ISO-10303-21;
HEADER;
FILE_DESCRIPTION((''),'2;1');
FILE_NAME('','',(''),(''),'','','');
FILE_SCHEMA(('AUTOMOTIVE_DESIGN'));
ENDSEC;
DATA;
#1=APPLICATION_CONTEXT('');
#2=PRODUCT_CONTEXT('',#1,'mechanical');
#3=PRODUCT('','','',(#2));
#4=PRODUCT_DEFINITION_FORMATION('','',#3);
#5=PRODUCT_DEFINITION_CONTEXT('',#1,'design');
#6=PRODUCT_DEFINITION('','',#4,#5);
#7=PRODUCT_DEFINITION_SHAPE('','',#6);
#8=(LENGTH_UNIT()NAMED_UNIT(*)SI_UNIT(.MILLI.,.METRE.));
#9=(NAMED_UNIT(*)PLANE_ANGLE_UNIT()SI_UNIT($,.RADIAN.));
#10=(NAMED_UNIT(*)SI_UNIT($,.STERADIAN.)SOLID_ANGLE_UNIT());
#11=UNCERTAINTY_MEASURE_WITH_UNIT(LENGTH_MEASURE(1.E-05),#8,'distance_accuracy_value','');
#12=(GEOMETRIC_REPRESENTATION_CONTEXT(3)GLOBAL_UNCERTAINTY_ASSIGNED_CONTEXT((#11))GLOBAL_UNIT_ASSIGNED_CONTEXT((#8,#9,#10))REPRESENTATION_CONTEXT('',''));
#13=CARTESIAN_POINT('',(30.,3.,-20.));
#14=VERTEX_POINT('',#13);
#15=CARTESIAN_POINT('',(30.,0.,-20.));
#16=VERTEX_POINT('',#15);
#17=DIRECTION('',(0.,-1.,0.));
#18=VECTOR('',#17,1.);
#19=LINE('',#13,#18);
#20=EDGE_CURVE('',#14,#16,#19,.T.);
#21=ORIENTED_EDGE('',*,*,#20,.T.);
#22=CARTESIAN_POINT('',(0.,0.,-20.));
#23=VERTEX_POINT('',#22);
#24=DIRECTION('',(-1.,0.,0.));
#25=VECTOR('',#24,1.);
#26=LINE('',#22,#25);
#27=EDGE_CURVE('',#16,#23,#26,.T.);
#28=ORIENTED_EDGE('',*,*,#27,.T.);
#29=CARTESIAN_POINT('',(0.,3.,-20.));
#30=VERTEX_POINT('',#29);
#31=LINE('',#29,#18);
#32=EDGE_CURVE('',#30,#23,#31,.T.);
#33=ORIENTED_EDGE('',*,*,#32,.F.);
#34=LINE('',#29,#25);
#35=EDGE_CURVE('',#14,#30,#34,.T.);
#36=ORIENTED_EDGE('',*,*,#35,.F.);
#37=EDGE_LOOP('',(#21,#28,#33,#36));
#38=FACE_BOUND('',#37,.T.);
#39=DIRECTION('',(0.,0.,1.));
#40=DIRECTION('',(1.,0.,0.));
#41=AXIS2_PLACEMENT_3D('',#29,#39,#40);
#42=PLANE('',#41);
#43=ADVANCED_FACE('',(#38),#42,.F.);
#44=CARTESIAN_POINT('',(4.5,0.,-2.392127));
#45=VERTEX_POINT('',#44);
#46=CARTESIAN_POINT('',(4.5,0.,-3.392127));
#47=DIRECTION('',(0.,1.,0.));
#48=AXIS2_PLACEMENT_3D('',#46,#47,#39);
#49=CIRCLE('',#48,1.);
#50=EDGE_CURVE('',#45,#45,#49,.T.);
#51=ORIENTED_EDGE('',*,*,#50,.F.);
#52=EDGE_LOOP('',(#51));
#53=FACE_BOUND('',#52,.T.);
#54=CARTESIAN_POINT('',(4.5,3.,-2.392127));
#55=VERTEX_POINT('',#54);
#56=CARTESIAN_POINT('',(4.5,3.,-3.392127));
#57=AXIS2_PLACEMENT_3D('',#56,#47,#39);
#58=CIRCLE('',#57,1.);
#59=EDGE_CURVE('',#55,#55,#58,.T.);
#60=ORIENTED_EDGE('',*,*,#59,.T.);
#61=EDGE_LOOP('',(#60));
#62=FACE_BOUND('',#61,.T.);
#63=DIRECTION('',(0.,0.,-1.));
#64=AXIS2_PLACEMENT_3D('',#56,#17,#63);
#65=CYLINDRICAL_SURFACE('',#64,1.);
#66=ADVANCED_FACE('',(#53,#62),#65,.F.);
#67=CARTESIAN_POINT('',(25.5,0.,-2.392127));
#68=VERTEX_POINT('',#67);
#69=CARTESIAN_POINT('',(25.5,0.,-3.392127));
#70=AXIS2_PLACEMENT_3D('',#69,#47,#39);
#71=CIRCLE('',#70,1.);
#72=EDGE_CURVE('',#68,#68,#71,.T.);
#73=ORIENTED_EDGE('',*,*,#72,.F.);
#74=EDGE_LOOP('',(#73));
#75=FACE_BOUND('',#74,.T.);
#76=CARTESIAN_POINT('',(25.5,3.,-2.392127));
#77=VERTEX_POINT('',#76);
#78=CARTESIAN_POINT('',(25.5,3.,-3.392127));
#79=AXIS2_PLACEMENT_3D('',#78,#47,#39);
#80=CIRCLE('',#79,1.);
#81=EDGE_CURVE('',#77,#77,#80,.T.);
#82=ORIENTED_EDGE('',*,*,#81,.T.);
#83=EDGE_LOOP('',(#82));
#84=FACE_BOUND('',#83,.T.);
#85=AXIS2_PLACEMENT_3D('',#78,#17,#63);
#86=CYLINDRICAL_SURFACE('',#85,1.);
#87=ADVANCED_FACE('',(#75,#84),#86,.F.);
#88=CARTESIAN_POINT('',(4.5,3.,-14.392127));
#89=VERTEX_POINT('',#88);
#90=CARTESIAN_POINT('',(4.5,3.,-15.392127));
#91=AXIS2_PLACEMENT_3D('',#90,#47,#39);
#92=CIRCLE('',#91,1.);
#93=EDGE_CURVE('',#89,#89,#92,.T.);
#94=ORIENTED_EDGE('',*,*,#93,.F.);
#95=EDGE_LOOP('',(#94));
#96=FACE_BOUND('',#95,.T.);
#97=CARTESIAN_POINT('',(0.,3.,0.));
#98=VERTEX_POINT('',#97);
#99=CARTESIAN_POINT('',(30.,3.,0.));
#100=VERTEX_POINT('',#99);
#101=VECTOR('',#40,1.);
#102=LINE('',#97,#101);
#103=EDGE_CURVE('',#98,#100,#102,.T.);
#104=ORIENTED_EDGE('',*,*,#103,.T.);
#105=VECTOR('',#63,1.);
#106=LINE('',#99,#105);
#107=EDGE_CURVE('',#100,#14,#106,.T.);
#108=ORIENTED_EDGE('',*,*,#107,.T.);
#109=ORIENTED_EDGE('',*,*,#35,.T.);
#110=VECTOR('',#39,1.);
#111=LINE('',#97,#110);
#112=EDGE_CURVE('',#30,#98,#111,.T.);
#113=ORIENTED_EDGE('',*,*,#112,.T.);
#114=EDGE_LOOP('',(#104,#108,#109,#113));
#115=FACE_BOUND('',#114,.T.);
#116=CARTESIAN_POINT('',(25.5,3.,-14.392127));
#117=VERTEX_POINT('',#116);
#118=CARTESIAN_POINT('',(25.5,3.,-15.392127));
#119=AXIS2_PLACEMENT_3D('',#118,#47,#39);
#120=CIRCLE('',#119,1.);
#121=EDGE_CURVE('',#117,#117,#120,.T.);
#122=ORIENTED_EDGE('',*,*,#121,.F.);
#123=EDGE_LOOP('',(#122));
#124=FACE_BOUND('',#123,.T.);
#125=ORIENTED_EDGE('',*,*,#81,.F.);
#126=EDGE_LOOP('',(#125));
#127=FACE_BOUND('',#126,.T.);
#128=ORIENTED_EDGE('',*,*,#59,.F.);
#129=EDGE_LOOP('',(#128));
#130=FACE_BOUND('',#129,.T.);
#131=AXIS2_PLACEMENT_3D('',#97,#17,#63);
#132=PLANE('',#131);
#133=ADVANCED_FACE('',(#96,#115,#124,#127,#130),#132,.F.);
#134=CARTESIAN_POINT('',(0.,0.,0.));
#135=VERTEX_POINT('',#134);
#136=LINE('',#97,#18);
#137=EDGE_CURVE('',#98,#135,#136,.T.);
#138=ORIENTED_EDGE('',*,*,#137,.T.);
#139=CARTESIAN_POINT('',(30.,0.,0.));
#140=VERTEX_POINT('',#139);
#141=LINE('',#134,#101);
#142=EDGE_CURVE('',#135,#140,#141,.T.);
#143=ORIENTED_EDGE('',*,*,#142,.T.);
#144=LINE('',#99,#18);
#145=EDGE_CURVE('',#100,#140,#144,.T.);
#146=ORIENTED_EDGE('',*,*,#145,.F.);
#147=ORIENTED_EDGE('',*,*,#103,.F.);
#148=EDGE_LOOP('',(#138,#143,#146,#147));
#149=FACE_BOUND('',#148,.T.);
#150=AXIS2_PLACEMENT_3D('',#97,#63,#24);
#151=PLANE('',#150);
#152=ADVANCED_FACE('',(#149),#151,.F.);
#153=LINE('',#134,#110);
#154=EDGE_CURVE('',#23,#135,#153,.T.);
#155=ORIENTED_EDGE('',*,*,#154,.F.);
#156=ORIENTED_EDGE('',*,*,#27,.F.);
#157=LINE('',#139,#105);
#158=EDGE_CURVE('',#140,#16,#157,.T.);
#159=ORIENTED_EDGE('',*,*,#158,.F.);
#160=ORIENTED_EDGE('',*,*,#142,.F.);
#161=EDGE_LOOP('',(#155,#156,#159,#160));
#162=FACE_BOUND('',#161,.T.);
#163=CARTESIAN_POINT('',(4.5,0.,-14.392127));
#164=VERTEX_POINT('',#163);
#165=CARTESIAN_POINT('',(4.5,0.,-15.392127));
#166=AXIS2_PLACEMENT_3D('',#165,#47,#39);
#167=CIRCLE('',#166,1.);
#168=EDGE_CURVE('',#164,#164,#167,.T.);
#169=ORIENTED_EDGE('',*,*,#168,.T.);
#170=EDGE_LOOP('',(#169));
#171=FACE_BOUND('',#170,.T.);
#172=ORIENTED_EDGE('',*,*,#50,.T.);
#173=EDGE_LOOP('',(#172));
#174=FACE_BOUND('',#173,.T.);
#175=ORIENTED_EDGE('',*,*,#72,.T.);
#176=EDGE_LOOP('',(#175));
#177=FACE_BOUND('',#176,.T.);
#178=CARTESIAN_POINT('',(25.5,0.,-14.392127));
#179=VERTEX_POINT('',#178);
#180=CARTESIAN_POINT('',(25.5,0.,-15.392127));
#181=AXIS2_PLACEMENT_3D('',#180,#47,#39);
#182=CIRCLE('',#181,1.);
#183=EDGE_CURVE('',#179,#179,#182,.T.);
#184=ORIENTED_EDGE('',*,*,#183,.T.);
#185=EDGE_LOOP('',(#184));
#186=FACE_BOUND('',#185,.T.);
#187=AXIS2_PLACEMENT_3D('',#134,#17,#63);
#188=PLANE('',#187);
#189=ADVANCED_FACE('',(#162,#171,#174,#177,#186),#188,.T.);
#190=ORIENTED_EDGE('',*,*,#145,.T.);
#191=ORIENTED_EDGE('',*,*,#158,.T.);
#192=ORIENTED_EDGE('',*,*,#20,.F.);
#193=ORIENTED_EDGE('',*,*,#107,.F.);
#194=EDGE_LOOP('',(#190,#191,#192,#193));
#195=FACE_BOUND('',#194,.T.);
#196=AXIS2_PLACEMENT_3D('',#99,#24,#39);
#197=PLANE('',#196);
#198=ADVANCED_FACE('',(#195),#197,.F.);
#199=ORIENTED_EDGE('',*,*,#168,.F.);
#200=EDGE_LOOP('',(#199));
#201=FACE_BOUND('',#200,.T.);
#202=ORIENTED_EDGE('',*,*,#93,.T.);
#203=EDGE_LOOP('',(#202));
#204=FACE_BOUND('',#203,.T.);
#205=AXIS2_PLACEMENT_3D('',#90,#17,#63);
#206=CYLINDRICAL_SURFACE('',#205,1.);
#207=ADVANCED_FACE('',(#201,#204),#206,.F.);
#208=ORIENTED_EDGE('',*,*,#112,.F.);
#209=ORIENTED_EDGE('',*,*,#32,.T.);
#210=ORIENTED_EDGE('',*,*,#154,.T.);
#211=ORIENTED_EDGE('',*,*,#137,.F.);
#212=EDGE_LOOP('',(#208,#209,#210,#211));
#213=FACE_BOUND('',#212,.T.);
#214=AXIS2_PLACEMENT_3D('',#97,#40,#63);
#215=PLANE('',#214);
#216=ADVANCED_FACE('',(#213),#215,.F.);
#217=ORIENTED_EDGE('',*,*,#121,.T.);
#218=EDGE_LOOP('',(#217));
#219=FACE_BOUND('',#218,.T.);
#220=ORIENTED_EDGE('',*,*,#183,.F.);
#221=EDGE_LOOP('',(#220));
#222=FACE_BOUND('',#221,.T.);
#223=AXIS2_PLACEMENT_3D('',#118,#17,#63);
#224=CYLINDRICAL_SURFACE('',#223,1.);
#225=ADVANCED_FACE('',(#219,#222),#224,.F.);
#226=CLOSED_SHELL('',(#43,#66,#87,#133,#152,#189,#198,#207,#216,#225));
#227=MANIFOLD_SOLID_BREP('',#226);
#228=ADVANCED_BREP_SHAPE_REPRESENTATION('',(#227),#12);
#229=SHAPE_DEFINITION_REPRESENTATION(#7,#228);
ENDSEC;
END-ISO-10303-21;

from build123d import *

# Parameters (mm, degrees)
SKETCH1_W           = 30
SKETCH1_H           = 20
SKETCH1_R           = 1
BOSS_EXTRUDE2_DEPTH = 3


with BuildPart() as part:
    # Sketch1 → Boss-Extrude2 (new body)
    with BuildSketch(Plane(origin=(0, 0, 0), x_dir=(1, 0, 0), z_dir=(0, 1, 0))):
        with Locations((15, 10)):
            Rectangle(SKETCH1_W, SKETCH1_H)
        with Locations(Location((4.5, 3.392127344, 0), (0, 0, 270))):
            Circle(SKETCH1_R, mode=Mode.SUBTRACT)
        with Locations(Location((25.5, 3.392127344, 0), (0, 0, 270))):
            Circle(SKETCH1_R, mode=Mode.SUBTRACT)
        with Locations(Location((25.5, 15.392127344, 0), (0, 0, 270))):
            Circle(SKETCH1_R, mode=Mode.SUBTRACT)
        with Locations(Location((4.5, 15.392127344, 0), (0, 0, 270))):
            Circle(SKETCH1_R, mode=Mode.SUBTRACT)
    extrude(amount=BOSS_EXTRUDE2_DEPTH)


solid = part.part
